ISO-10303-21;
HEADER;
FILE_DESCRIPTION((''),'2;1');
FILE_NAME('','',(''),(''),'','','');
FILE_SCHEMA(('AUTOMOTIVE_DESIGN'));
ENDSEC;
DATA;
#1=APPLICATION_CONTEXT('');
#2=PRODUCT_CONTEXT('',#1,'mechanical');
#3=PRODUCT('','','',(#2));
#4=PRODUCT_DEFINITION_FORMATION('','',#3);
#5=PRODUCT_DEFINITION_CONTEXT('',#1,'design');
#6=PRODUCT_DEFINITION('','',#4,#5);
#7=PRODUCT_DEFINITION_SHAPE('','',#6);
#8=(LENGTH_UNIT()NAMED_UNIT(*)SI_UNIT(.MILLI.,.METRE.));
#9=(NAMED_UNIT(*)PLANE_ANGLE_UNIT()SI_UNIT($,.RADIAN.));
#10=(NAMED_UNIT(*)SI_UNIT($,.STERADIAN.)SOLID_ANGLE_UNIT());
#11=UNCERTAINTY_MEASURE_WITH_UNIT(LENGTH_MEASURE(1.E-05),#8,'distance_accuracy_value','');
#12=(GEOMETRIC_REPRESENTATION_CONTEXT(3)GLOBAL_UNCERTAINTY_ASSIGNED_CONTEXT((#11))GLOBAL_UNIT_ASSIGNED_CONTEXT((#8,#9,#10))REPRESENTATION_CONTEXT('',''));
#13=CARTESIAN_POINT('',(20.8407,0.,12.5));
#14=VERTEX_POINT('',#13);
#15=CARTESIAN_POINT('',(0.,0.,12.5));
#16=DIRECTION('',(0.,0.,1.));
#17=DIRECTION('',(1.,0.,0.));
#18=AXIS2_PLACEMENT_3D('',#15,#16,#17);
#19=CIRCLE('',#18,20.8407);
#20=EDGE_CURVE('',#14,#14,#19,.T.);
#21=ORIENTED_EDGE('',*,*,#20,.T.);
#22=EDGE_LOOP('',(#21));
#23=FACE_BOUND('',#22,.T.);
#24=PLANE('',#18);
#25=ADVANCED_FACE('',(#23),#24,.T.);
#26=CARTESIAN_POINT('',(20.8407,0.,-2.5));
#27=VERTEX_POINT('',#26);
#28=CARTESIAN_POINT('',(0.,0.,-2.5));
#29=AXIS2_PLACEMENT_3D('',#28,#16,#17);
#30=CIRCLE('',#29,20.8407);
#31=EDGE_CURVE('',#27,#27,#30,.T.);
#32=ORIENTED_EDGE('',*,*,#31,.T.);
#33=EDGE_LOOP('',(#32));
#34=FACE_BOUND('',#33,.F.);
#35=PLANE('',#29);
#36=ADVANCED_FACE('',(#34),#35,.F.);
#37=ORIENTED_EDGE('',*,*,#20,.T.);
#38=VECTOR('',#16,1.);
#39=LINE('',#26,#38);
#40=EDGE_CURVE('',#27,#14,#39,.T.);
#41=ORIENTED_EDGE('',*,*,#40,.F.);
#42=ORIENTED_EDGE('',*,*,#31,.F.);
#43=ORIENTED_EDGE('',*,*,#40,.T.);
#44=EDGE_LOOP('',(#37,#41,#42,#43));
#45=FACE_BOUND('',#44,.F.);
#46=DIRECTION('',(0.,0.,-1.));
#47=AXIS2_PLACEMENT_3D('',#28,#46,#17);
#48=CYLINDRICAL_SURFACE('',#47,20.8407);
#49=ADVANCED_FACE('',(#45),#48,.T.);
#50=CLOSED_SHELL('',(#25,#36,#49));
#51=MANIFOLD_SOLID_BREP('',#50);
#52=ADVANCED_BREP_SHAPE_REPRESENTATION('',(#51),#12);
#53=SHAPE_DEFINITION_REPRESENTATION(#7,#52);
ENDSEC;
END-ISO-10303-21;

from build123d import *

# Parameters (mm, degrees)
CYLINDER_R     = 20.8407
CYLINDER_DEPTH = 15


with BuildPart() as part:
    # Cylinder → Cylinder (new body)
    with BuildSketch(Plane.XY.offset(-2.5)):
        Circle(CYLINDER_R)
    extrude(amount=CYLINDER_DEPTH)


solid = part.part
